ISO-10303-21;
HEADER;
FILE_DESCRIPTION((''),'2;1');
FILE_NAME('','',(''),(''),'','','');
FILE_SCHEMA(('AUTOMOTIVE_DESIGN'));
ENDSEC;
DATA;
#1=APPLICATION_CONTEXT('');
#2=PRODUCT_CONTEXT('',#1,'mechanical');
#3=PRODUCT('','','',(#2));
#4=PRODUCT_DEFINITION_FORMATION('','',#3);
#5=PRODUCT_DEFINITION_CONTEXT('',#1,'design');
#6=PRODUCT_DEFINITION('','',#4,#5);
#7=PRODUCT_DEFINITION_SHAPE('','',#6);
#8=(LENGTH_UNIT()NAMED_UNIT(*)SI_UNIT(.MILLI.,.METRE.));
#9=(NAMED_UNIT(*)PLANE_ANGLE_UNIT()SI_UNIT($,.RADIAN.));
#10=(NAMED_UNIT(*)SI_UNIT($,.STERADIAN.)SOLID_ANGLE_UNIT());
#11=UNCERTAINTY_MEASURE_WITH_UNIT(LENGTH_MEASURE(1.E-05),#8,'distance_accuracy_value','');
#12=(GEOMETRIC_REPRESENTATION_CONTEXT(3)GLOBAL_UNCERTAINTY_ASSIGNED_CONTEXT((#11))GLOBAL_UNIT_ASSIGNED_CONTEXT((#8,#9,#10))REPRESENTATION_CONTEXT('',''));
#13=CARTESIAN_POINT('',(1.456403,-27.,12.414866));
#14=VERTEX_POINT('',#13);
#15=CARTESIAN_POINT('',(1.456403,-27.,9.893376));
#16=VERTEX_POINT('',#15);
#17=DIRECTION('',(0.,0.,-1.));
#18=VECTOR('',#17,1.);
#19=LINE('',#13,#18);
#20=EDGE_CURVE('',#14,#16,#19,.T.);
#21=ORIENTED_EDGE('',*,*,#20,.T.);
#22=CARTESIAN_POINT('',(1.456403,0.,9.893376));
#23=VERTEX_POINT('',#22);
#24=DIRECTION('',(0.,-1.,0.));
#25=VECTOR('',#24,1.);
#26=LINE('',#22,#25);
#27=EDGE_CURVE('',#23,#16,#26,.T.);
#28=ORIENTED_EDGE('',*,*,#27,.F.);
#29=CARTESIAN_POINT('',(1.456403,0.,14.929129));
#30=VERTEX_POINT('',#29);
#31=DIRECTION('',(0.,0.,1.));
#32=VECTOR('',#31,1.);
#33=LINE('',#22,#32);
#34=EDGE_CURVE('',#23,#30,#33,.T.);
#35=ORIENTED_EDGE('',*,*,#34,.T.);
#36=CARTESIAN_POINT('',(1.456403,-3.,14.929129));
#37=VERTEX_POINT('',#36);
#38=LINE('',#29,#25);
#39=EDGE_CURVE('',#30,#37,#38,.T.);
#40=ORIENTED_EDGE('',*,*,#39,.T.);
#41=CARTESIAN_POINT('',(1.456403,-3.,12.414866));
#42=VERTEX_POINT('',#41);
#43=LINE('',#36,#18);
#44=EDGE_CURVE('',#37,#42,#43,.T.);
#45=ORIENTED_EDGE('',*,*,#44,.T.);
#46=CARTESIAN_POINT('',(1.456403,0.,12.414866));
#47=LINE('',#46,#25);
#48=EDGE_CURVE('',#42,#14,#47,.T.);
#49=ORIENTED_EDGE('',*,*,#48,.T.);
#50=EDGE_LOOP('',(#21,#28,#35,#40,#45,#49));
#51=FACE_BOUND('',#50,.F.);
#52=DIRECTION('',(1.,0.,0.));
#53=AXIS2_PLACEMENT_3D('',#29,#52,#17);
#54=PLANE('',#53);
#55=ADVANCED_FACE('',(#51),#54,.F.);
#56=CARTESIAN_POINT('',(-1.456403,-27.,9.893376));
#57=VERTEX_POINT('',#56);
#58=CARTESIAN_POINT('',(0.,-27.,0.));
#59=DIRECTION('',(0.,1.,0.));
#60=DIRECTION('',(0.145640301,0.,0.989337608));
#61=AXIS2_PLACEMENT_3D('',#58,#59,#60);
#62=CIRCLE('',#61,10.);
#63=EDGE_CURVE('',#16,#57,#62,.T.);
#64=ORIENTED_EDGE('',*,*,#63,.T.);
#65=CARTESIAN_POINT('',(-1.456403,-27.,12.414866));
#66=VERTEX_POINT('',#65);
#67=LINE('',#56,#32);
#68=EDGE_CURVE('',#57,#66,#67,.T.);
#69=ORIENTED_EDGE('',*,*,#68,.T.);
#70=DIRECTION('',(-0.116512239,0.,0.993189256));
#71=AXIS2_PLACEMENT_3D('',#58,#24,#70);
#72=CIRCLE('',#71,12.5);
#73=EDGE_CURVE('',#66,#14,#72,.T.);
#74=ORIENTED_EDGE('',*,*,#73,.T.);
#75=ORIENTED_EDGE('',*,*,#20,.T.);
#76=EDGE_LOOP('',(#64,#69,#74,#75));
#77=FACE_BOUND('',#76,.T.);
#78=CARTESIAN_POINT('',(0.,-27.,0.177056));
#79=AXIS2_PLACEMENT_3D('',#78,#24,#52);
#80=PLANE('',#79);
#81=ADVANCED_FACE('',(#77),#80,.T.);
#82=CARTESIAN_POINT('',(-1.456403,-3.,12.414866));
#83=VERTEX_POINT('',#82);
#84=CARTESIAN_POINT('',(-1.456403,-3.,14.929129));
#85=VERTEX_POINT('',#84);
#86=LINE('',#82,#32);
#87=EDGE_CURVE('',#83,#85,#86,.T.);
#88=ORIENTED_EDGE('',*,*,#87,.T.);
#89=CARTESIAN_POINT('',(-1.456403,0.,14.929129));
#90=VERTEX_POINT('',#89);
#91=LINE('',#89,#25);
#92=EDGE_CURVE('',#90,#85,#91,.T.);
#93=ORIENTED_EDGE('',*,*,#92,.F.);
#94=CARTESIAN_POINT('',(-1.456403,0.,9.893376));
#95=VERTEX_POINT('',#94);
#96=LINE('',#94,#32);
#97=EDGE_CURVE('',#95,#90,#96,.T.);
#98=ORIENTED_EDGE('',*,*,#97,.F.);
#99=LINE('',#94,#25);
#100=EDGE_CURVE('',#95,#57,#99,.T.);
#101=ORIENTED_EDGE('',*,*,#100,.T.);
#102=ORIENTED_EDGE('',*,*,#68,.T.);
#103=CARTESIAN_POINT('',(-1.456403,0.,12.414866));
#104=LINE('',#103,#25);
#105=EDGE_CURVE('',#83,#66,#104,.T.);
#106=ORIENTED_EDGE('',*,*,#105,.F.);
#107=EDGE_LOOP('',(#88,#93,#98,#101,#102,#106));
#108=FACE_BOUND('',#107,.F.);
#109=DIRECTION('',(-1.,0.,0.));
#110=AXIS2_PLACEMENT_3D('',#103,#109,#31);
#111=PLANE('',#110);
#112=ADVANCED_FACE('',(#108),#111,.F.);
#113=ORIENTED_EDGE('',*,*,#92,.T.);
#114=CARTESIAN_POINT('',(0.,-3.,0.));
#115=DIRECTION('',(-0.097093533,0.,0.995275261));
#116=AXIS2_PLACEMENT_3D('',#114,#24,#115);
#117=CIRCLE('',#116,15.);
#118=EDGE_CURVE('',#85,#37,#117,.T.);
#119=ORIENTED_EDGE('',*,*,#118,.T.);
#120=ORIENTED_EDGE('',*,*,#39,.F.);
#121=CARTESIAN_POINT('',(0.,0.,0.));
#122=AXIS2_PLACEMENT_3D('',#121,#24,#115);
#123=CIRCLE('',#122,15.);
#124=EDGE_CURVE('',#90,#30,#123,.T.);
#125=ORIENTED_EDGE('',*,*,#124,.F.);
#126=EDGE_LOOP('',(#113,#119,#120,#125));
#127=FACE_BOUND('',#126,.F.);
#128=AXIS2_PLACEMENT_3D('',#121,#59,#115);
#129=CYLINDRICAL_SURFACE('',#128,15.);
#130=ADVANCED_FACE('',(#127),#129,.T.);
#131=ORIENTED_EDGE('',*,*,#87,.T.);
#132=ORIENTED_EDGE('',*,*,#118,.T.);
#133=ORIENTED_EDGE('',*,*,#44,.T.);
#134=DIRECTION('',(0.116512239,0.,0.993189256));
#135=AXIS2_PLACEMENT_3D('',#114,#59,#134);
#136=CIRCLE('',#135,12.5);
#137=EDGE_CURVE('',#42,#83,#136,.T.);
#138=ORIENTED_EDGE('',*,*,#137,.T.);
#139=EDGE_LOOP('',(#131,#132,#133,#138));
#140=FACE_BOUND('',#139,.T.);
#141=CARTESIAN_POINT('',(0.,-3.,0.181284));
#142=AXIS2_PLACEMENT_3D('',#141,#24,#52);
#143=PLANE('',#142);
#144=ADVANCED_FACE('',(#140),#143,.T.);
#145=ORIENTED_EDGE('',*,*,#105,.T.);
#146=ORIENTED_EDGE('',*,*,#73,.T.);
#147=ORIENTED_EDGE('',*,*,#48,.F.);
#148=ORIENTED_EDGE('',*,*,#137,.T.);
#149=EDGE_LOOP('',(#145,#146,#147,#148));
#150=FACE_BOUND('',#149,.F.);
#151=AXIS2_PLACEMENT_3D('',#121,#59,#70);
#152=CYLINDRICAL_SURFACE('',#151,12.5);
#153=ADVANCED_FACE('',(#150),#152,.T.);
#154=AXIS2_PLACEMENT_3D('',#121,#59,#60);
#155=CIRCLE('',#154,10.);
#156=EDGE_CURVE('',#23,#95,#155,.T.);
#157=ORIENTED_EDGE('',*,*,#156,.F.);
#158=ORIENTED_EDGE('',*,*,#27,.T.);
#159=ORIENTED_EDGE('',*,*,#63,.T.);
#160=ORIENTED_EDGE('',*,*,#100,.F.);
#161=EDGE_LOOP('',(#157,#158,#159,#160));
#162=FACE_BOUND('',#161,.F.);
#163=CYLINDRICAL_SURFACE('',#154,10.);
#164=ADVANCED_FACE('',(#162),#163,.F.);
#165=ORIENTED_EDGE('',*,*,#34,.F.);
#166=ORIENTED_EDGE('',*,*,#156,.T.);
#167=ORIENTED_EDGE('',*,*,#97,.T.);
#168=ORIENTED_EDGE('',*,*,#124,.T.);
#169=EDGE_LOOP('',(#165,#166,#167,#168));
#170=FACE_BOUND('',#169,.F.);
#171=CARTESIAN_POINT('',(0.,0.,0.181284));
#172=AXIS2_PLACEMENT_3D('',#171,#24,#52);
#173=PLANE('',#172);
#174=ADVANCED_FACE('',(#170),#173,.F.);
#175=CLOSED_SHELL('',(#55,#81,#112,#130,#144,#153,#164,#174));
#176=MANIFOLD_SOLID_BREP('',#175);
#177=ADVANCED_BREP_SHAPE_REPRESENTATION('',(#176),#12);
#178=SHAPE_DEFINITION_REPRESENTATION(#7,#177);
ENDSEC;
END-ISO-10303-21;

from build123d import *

# Parameters (mm, degrees)
F1_DEPTH = 27
F2_DEPTH = 3


with BuildPart() as f1:
    # F0 (on Front) → F1 (new body)
    with BuildSketch(Plane.XZ):
        with BuildLine():
            ThreePointArc((1.456403, 9.893376), (0, -10), (-1.456403, 9.893376))
            Line((-1.456403, 9.893376), (-1.456403, 12.414866))
            ThreePointArc((-1.456403, 12.414866), (0, -12.5), (1.456403, 12.414866))
            Line((1.456403, 12.414866), (1.456403, 9.893376))
        make_face()
    extrude(amount=F1_DEPTH)

    # F0 (on Front) → F2 (join)
    with BuildSketch(Plane.XZ):
        with BuildLine():
            ThreePointArc((1.456403, 12.414866), (0, -12.5), (-1.456403, 12.414866))
            Line((-1.456403, 12.414866), (-1.456403, 14.929129))
            ThreePointArc((-1.456403, 14.929129), (0, -15), (1.456403, 14.929129))
            Line((1.456403, 14.929129), (1.456403, 12.414866))
        make_face()
    extrude(amount=F2_DEPTH)


solid = f1.part
